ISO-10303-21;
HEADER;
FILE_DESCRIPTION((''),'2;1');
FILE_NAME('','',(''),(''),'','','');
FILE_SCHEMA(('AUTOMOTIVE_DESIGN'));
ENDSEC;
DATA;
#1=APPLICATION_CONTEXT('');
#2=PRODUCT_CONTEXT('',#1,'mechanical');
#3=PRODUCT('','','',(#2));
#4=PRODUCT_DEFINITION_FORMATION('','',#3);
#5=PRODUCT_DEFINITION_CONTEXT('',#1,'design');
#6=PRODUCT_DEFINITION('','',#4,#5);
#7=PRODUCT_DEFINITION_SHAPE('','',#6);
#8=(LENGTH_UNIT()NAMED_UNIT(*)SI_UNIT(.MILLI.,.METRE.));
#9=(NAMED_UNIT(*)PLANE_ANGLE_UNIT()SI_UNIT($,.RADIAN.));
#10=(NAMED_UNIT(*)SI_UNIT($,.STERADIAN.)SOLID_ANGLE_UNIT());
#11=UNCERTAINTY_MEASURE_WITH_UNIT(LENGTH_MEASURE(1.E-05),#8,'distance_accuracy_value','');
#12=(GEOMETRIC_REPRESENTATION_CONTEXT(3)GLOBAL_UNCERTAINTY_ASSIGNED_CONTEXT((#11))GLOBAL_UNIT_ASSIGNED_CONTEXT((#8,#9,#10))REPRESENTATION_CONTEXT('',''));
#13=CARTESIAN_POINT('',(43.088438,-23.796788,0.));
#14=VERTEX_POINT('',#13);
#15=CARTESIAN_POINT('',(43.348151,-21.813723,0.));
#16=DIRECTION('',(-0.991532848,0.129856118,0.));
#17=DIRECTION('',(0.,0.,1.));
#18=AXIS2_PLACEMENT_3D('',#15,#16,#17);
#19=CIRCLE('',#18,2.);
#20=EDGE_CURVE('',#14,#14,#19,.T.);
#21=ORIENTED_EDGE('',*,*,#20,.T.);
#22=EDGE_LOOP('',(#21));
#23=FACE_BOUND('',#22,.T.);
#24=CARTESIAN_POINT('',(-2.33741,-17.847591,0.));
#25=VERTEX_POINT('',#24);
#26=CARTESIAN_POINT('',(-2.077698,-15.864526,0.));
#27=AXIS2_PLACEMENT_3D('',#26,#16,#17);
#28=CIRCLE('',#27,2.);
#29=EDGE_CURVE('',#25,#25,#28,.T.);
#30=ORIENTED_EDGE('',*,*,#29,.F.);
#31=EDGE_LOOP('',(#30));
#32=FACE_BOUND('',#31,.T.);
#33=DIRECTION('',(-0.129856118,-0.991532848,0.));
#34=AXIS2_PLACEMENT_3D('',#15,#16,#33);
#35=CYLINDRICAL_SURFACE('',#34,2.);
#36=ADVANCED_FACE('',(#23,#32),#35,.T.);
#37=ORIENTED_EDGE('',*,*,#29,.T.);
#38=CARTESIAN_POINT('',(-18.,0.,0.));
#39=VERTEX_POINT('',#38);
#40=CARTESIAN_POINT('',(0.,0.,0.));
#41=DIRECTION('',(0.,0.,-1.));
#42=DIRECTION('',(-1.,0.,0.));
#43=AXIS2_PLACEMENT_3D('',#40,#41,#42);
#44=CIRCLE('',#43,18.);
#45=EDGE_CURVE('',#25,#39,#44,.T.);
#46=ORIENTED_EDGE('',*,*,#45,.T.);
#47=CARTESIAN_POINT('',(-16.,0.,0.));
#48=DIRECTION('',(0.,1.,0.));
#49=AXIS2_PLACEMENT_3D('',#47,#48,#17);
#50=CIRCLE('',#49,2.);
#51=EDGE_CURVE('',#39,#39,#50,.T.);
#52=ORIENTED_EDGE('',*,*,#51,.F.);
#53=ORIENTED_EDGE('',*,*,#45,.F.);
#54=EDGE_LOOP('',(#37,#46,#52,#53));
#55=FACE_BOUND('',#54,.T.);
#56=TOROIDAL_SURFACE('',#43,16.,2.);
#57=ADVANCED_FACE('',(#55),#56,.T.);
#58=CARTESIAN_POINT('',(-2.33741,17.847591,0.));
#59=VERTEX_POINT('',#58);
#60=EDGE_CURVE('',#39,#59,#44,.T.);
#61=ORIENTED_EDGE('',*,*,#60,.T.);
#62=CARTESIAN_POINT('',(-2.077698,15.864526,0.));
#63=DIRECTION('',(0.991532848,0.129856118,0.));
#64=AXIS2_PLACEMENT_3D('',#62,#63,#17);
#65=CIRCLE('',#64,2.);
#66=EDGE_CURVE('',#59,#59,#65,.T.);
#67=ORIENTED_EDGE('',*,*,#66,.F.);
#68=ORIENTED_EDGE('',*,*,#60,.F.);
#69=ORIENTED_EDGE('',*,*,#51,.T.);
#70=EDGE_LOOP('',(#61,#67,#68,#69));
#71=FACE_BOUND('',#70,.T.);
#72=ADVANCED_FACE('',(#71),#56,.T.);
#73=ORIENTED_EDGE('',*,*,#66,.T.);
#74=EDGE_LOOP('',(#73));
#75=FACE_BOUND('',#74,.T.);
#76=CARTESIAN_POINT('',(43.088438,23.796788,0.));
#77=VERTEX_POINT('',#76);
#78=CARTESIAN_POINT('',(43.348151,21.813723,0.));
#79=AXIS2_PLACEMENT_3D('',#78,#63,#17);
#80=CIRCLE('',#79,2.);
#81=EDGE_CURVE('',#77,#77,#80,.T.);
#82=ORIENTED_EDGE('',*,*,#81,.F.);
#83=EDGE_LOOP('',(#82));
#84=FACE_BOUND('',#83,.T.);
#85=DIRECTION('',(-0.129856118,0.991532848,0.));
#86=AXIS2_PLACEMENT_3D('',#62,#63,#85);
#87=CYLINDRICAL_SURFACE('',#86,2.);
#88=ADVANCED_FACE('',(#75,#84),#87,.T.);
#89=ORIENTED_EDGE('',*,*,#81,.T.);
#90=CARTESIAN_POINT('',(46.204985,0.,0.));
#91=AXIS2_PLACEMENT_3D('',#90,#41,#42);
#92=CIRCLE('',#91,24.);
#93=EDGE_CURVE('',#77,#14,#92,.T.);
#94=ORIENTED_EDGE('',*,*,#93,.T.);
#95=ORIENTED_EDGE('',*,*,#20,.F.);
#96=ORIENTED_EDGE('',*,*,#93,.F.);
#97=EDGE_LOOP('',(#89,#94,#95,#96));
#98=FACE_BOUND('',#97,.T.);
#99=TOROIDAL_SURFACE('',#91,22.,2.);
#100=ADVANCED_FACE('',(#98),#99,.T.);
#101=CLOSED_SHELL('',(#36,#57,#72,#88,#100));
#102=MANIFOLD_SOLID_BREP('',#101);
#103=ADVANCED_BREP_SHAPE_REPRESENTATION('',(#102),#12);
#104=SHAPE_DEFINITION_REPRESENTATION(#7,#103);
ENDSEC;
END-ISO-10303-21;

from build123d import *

# Parameters (mm, degrees)
SKETCH3_R = 2


with BuildPart() as part:
    # Sweep1: sweep along a path in Sketch2
    with BuildLine(Plane.XY) as sweep1_path:
        Line((-2.077697888, 15.864525568), (43.348150524, 21.813722655))
        ThreePointArc((43.348150524, 21.813722655), (68.20498512, 0), (43.348150524, -21.813722655))
        Line((43.348150524, -21.813722655), (-2.077697888, -15.864525568))
        ThreePointArc((-2.077697888, -15.864525568), (-16, 0), (-2.077697888, 15.864525568))
    # Sketch3 → Sweep1 (sweep)
    with BuildSketch(Plane(origin=(0, 0, 0), x_dir=(1, 0, 0), z_dir=(0, 1, 0))):
        with Locations((-16, 0)):
            Circle(SKETCH3_R)
    sweep(path=sweep1_path.line)


solid = part.part
